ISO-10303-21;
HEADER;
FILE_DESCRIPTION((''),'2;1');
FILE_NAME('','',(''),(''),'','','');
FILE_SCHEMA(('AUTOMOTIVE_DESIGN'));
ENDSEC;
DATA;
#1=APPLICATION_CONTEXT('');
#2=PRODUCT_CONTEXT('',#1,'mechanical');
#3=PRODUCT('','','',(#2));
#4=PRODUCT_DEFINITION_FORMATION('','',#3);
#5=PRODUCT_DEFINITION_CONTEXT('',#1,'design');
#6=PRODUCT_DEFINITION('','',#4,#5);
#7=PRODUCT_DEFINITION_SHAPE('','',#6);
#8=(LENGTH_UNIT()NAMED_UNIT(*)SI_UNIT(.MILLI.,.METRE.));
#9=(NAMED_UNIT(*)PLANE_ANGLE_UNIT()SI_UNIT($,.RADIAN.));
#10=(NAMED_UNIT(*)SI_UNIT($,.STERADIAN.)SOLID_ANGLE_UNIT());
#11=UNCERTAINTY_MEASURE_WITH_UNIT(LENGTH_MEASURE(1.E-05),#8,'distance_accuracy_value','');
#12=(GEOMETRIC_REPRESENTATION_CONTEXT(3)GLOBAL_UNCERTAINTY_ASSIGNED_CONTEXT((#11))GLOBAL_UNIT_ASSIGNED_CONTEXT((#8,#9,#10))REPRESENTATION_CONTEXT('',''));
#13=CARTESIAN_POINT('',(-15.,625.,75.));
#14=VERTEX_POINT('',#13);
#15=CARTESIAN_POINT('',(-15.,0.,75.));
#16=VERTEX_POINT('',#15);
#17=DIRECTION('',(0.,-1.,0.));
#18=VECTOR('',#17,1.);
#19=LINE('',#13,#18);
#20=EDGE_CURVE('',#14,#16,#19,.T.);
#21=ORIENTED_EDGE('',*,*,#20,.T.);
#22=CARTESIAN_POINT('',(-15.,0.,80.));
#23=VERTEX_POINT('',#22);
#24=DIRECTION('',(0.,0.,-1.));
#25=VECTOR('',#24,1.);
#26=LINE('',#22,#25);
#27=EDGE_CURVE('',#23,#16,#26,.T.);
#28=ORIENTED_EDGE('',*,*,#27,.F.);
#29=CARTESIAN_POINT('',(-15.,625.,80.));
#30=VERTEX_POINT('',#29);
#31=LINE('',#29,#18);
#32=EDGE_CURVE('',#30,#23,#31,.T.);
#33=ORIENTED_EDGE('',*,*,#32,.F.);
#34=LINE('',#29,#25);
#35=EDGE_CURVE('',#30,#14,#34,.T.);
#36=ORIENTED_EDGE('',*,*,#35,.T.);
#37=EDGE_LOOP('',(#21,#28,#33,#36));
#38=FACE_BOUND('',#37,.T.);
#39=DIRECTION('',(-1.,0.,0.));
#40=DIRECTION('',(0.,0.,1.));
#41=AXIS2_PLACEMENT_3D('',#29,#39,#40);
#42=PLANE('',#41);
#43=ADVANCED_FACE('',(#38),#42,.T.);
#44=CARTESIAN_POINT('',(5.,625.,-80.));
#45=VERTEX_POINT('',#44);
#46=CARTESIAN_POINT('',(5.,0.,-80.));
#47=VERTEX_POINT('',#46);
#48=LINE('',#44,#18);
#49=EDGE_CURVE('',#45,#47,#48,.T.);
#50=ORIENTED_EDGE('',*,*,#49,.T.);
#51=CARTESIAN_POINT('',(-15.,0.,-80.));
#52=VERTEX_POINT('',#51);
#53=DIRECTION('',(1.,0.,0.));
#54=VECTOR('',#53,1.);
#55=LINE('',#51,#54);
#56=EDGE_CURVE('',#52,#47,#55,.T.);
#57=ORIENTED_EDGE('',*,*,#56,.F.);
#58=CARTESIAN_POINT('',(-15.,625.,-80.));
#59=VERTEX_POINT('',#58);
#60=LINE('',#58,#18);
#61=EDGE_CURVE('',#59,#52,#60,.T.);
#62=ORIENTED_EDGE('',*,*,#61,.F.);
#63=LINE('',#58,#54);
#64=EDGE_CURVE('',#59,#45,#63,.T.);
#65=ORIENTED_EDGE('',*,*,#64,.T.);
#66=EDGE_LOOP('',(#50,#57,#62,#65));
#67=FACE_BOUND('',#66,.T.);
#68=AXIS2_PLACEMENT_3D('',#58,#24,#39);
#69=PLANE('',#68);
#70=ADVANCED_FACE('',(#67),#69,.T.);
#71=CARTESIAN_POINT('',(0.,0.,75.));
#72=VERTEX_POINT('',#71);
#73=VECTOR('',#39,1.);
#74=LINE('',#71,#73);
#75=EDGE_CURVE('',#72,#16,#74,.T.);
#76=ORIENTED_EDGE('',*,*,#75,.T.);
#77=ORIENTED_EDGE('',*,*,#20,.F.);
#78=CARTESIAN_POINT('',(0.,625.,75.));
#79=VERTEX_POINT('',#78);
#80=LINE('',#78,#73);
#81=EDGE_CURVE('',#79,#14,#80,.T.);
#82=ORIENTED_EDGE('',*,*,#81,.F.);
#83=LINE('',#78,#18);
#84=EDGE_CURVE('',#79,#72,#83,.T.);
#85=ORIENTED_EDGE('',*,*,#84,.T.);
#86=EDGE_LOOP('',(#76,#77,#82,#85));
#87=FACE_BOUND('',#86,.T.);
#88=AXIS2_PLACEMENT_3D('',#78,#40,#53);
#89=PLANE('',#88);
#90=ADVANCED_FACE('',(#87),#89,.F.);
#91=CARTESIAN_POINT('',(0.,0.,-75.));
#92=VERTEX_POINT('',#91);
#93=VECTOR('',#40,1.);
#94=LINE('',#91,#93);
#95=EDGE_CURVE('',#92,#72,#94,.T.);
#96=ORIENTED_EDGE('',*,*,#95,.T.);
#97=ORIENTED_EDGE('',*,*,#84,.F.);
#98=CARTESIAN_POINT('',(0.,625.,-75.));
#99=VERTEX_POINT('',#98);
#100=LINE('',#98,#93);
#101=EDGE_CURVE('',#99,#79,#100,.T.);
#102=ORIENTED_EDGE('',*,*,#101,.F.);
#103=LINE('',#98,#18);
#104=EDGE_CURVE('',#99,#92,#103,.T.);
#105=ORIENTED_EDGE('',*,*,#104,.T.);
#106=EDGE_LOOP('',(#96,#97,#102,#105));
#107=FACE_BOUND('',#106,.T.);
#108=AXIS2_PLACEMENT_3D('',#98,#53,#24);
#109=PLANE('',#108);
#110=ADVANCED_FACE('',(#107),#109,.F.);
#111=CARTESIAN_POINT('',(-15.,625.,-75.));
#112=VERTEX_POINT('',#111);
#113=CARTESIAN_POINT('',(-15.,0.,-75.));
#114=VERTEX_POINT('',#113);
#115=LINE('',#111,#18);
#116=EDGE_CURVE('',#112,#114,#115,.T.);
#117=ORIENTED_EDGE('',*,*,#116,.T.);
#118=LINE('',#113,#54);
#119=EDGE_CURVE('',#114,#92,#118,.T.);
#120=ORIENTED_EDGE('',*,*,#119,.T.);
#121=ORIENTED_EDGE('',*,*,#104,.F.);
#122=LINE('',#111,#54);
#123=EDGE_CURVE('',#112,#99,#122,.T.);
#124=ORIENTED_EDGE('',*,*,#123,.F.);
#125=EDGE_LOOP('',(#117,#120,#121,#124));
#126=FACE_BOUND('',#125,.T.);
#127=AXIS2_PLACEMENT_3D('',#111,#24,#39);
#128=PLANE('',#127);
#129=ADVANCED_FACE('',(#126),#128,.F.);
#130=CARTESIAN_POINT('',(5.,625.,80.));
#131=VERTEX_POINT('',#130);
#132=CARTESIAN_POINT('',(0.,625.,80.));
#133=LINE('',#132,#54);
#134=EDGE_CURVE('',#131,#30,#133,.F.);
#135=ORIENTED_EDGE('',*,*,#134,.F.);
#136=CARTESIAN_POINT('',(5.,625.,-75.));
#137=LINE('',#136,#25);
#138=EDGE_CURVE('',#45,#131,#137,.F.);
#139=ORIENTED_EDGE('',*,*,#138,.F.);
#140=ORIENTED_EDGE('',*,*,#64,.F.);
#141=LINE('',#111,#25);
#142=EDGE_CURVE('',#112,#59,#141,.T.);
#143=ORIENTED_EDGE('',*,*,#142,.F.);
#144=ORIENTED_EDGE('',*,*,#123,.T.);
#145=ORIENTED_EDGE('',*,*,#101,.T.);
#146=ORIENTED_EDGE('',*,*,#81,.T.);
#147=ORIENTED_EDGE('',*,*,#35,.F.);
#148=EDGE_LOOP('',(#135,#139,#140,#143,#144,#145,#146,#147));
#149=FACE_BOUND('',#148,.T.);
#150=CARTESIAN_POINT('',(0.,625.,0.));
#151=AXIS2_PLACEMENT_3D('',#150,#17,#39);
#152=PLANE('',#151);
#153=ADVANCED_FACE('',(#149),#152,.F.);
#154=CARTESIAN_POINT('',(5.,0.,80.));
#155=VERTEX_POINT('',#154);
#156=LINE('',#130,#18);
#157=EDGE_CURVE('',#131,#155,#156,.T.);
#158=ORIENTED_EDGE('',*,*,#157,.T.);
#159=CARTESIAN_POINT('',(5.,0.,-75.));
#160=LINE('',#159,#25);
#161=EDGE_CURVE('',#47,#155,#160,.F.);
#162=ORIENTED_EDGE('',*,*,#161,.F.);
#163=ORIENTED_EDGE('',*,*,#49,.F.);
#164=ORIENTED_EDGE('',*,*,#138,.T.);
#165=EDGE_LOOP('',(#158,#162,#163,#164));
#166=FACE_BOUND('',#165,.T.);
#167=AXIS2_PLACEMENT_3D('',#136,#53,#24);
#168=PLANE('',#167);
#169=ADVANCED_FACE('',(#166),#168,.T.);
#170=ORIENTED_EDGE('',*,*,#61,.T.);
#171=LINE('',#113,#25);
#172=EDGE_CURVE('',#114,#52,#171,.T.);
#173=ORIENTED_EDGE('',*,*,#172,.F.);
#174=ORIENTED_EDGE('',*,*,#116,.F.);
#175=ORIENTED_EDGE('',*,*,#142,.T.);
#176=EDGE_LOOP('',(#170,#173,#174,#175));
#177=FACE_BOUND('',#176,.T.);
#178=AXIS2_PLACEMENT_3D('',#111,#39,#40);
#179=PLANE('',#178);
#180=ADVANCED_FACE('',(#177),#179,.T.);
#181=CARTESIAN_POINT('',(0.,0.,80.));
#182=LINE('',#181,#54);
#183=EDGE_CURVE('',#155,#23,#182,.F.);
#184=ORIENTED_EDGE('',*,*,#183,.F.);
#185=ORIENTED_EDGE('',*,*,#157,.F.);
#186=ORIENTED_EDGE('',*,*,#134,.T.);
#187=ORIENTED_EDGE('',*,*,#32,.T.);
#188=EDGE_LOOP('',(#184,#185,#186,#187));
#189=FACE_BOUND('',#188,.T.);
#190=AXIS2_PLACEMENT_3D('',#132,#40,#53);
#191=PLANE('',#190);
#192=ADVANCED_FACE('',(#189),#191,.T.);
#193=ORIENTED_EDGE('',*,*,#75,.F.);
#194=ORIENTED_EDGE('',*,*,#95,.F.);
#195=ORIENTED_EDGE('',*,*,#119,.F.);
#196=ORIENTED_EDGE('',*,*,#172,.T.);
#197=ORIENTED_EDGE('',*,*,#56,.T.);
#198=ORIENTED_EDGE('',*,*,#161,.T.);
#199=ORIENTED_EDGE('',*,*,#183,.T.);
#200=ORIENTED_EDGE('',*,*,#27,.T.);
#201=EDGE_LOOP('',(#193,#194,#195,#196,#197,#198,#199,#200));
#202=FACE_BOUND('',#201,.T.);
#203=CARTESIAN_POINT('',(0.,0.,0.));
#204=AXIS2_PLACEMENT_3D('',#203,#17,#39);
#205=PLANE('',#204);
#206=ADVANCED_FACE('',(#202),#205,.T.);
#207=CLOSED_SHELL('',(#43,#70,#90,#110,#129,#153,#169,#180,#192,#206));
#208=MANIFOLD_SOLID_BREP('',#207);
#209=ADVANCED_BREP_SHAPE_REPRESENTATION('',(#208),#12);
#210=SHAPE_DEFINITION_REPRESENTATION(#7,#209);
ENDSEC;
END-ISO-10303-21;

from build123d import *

# Parameters (mm, degrees)
EXTRUDE_THIN1_DEPTH = 625


with BuildPart() as part:
    # Sketch1 → Extrude-Thin1 (new body)
    with BuildSketch(Plane(origin=(0, 0, 0), x_dir=(1, 0, 0), z_dir=(0, 1, 0))):
        Polygon((-15, 75), (0, 75), (0, -75), (-15, -75), (-15, -80), (5, -80), (5, 80), (-15, 80), align=None)
    extrude(amount=EXTRUDE_THIN1_DEPTH)


solid = part.part
